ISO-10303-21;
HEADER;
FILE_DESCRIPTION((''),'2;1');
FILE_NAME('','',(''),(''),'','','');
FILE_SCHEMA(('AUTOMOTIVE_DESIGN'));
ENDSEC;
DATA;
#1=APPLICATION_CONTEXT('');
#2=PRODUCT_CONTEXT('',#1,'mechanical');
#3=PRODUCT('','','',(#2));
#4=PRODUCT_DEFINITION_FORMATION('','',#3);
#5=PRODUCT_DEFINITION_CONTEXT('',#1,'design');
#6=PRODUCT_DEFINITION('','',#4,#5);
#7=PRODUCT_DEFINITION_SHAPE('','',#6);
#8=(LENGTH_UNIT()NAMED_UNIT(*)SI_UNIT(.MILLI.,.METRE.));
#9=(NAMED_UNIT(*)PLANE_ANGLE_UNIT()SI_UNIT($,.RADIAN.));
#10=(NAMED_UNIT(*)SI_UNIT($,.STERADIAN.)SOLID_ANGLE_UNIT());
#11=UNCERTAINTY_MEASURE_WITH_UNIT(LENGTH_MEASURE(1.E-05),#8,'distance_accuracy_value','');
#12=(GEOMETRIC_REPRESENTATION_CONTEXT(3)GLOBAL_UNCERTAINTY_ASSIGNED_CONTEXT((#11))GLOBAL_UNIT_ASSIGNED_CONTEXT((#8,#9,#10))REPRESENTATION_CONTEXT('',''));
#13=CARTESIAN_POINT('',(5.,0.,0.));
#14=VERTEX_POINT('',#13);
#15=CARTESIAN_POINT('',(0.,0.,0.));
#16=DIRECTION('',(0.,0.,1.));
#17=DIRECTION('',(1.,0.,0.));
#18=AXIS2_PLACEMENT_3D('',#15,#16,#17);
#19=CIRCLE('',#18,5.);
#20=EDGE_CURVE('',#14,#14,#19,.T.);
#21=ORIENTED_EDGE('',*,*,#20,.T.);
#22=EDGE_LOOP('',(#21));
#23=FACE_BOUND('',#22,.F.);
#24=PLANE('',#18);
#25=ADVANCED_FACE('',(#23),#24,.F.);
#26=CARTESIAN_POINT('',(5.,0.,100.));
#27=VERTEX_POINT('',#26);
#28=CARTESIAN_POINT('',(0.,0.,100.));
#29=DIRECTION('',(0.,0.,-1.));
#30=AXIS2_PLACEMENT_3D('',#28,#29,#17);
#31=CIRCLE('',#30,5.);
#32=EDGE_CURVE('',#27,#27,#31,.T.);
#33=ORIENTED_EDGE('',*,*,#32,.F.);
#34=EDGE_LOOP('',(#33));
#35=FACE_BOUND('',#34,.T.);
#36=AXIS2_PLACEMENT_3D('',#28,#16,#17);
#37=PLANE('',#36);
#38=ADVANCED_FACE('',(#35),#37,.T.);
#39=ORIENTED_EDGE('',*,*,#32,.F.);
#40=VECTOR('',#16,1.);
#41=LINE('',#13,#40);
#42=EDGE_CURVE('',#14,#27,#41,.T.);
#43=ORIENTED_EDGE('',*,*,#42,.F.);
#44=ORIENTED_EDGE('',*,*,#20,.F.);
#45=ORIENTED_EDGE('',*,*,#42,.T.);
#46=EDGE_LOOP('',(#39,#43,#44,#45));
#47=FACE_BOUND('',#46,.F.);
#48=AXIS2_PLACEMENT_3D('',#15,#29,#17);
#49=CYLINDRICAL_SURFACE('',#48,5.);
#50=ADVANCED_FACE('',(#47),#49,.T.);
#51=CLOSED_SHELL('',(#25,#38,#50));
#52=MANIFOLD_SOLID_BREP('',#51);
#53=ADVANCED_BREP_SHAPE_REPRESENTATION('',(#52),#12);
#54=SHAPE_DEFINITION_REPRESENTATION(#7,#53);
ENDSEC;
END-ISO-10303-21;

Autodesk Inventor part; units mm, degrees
ref_plane "YZ Plane" through (0, 0, 0) normal (1, 0, 0) x (0, 1, 0)
ref_plane "XZ Plane" through (0, 0, 0) normal (0, 1, 0) x (-1, 0, 0)
ref_plane "XY Plane" through (0, 0, 0) normal (0, 0, 1) x (1, 0, 0)
sketch "Skizze1" plane through (0, 0, 0) normal (0, 0, 1) x (1, 0, 0)
  line L0 (-7, 0) -> (7, 0) projected
  line L1 (0, -7) -> (0, 7) projected
  circle A0 centre (0, 0) radius 5
  dimension "d0" = 10
extrude "Extrusion1" add sketch "Skizze1" along normal blind 100
properties part number "24_0497_0010"
